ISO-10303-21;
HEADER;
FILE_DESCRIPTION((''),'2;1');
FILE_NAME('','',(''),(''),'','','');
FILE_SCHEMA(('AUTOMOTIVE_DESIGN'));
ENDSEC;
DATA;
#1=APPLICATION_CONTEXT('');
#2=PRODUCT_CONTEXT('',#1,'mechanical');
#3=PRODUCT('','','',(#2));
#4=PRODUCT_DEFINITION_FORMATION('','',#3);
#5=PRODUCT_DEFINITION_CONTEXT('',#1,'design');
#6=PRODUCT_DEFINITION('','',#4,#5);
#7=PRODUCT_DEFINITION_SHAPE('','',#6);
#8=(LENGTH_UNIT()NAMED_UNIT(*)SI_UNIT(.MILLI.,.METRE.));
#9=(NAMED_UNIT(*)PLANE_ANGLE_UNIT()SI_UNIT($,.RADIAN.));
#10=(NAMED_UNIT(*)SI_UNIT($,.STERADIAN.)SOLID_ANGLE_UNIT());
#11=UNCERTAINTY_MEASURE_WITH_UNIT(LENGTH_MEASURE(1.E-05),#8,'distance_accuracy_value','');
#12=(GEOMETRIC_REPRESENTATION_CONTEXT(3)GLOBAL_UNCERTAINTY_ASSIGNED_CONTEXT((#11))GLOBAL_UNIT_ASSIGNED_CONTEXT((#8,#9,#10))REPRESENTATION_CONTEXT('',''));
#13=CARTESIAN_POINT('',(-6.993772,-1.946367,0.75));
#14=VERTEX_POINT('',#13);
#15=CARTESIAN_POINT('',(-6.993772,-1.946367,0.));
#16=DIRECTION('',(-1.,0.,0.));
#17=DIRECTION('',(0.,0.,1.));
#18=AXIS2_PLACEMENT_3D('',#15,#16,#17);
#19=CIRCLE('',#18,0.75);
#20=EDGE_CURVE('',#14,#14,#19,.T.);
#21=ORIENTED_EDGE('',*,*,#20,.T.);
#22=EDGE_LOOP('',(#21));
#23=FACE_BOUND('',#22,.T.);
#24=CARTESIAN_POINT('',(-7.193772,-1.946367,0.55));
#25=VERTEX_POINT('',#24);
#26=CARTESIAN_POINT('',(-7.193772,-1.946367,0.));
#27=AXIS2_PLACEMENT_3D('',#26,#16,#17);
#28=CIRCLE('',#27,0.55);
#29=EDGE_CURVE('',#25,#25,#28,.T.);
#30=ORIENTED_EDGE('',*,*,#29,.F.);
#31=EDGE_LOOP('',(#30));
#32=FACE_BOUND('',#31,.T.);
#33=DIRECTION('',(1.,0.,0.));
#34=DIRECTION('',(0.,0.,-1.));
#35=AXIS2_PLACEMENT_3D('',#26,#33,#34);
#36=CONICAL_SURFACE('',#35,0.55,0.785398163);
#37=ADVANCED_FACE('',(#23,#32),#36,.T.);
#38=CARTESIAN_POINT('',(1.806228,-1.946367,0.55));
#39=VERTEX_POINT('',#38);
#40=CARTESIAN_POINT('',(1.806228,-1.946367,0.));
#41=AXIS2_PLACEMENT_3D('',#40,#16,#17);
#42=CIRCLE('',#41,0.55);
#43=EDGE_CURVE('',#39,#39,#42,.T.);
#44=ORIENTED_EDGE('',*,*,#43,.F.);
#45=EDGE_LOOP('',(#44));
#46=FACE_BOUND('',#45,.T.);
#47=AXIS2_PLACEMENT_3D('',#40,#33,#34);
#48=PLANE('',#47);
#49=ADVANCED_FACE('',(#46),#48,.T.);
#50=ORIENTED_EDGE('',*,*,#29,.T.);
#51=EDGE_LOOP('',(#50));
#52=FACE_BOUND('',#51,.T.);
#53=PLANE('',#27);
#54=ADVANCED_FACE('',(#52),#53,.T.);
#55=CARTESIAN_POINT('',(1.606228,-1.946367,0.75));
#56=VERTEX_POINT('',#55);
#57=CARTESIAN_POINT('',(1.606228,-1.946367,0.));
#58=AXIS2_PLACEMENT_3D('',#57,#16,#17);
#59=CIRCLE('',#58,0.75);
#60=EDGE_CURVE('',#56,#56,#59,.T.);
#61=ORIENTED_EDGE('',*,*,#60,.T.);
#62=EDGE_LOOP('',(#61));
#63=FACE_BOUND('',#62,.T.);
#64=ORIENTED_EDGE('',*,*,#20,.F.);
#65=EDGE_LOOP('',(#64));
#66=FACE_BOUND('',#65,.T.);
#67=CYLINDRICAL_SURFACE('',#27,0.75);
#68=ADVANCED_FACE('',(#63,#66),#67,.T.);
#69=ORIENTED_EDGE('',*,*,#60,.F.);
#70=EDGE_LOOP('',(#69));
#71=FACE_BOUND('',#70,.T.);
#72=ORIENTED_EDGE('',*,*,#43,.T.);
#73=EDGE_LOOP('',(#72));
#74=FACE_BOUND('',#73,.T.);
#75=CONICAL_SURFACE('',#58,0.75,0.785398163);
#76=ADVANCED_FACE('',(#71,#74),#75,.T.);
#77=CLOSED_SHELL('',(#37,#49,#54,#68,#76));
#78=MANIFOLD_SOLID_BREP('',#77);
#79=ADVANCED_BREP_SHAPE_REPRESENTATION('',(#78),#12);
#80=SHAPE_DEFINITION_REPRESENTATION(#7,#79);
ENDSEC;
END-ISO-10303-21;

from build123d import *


with BuildPart() as part:
    # Sketch1 → Revolve1 (revolve)
    with BuildSketch(Plane.XY, mode=Mode.PRIVATE) as revolve1_sk:
        Polygon((-7.193771626, -1.946366782), (1.806228374, -1.946366782), (1.806228374, -2.496366782), (1.606228374, -2.696366782), (-6.993771626, -2.696366782), (-7.193771626, -2.496366782), align=None)
    revolve(revolve1_sk.sketch.rotate(Axis((-7.193771626, -1.946366782, 0), (1, 0, 0)), 270), axis=Axis((-7.193771626, -1.946366782, 0), (1, 0, 0)))


solid = part.part
